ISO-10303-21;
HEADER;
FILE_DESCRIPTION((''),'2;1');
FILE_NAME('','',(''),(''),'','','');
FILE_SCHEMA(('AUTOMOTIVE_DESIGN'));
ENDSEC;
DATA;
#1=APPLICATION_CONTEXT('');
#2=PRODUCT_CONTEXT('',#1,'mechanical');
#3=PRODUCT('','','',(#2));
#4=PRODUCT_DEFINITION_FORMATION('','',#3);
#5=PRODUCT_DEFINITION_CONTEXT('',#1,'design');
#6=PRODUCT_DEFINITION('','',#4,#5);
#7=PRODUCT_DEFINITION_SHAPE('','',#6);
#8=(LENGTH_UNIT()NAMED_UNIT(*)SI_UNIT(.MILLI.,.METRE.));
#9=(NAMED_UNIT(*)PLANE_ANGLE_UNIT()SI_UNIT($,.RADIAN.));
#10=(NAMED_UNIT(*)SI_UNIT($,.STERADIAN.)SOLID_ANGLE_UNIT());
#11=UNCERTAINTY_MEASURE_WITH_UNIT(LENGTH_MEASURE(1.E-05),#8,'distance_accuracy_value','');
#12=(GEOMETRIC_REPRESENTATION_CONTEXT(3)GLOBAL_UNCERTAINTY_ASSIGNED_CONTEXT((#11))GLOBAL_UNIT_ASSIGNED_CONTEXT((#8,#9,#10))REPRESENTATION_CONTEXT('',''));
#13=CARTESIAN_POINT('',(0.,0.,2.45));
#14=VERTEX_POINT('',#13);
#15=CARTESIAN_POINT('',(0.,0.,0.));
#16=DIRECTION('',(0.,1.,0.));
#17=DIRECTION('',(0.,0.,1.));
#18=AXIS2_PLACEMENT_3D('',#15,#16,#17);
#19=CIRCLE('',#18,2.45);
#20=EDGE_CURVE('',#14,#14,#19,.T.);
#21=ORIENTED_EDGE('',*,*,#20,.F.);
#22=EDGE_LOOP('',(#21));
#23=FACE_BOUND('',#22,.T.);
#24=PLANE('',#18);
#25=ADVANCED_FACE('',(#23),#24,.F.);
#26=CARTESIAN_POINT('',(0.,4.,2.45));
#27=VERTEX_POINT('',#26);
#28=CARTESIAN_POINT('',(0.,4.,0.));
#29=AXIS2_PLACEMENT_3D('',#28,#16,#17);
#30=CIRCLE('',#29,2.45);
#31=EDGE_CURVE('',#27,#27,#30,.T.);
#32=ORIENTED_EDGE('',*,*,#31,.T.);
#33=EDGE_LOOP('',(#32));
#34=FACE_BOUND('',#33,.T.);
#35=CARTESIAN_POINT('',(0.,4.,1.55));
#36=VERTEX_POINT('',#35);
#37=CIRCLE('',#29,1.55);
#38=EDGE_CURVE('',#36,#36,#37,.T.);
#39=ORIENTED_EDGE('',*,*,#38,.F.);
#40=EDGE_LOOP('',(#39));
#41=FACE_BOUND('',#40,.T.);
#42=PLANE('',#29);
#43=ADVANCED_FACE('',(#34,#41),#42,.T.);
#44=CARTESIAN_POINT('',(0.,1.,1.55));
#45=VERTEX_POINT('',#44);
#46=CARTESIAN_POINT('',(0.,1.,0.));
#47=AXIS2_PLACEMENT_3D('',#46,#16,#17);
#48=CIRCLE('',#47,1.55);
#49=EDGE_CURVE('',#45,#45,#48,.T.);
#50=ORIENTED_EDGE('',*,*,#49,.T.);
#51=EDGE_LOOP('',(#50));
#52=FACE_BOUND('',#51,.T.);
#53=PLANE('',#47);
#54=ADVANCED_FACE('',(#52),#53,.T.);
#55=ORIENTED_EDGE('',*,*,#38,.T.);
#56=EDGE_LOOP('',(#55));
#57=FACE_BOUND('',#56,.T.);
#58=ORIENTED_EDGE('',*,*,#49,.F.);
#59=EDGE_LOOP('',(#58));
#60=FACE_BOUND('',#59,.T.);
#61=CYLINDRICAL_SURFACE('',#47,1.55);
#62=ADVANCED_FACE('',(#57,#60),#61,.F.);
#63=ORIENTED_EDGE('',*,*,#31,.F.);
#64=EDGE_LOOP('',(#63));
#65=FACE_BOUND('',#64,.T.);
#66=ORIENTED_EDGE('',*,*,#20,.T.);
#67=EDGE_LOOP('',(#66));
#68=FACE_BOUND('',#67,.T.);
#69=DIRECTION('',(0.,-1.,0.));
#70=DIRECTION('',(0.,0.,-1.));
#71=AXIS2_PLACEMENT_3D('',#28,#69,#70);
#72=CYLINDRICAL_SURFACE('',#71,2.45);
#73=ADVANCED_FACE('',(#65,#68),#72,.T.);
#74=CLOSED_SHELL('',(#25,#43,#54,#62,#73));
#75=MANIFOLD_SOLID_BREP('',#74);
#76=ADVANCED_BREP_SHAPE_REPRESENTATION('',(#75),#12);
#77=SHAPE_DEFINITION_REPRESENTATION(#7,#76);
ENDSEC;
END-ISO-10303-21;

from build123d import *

# Parameters (mm, degrees)
SKETCH2_R           = 2.45
BOSS_EXTRUDE1_DEPTH = 4
SKETCH4_R           = 1.55
CUT_EXTRUDE1_DEPTH  = 3


with BuildPart() as part:
    # Sketch2 → Boss-Extrude1 (new body)
    with BuildSketch(Plane(origin=(0, 0, 0), x_dir=(1, 0, 0), z_dir=(0, 1, 0))):
        with Locations(Location((0, 0, 0), (0, 0, 270))):
            Circle(SKETCH2_R)
    extrude(amount=BOSS_EXTRUDE1_DEPTH)

    # Sketch4 → Cut-Extrude1 (cut)
    with BuildSketch(Plane(origin=(0, 4, 0), x_dir=(1, 0, 0), z_dir=(0, 1, 0))):
        with Locations(Location((0, 0, 0), (0, 0, 270))):
            Circle(SKETCH4_R)
    extrude(amount=-CUT_EXTRUDE1_DEPTH, mode=Mode.SUBTRACT)


solid = part.part
